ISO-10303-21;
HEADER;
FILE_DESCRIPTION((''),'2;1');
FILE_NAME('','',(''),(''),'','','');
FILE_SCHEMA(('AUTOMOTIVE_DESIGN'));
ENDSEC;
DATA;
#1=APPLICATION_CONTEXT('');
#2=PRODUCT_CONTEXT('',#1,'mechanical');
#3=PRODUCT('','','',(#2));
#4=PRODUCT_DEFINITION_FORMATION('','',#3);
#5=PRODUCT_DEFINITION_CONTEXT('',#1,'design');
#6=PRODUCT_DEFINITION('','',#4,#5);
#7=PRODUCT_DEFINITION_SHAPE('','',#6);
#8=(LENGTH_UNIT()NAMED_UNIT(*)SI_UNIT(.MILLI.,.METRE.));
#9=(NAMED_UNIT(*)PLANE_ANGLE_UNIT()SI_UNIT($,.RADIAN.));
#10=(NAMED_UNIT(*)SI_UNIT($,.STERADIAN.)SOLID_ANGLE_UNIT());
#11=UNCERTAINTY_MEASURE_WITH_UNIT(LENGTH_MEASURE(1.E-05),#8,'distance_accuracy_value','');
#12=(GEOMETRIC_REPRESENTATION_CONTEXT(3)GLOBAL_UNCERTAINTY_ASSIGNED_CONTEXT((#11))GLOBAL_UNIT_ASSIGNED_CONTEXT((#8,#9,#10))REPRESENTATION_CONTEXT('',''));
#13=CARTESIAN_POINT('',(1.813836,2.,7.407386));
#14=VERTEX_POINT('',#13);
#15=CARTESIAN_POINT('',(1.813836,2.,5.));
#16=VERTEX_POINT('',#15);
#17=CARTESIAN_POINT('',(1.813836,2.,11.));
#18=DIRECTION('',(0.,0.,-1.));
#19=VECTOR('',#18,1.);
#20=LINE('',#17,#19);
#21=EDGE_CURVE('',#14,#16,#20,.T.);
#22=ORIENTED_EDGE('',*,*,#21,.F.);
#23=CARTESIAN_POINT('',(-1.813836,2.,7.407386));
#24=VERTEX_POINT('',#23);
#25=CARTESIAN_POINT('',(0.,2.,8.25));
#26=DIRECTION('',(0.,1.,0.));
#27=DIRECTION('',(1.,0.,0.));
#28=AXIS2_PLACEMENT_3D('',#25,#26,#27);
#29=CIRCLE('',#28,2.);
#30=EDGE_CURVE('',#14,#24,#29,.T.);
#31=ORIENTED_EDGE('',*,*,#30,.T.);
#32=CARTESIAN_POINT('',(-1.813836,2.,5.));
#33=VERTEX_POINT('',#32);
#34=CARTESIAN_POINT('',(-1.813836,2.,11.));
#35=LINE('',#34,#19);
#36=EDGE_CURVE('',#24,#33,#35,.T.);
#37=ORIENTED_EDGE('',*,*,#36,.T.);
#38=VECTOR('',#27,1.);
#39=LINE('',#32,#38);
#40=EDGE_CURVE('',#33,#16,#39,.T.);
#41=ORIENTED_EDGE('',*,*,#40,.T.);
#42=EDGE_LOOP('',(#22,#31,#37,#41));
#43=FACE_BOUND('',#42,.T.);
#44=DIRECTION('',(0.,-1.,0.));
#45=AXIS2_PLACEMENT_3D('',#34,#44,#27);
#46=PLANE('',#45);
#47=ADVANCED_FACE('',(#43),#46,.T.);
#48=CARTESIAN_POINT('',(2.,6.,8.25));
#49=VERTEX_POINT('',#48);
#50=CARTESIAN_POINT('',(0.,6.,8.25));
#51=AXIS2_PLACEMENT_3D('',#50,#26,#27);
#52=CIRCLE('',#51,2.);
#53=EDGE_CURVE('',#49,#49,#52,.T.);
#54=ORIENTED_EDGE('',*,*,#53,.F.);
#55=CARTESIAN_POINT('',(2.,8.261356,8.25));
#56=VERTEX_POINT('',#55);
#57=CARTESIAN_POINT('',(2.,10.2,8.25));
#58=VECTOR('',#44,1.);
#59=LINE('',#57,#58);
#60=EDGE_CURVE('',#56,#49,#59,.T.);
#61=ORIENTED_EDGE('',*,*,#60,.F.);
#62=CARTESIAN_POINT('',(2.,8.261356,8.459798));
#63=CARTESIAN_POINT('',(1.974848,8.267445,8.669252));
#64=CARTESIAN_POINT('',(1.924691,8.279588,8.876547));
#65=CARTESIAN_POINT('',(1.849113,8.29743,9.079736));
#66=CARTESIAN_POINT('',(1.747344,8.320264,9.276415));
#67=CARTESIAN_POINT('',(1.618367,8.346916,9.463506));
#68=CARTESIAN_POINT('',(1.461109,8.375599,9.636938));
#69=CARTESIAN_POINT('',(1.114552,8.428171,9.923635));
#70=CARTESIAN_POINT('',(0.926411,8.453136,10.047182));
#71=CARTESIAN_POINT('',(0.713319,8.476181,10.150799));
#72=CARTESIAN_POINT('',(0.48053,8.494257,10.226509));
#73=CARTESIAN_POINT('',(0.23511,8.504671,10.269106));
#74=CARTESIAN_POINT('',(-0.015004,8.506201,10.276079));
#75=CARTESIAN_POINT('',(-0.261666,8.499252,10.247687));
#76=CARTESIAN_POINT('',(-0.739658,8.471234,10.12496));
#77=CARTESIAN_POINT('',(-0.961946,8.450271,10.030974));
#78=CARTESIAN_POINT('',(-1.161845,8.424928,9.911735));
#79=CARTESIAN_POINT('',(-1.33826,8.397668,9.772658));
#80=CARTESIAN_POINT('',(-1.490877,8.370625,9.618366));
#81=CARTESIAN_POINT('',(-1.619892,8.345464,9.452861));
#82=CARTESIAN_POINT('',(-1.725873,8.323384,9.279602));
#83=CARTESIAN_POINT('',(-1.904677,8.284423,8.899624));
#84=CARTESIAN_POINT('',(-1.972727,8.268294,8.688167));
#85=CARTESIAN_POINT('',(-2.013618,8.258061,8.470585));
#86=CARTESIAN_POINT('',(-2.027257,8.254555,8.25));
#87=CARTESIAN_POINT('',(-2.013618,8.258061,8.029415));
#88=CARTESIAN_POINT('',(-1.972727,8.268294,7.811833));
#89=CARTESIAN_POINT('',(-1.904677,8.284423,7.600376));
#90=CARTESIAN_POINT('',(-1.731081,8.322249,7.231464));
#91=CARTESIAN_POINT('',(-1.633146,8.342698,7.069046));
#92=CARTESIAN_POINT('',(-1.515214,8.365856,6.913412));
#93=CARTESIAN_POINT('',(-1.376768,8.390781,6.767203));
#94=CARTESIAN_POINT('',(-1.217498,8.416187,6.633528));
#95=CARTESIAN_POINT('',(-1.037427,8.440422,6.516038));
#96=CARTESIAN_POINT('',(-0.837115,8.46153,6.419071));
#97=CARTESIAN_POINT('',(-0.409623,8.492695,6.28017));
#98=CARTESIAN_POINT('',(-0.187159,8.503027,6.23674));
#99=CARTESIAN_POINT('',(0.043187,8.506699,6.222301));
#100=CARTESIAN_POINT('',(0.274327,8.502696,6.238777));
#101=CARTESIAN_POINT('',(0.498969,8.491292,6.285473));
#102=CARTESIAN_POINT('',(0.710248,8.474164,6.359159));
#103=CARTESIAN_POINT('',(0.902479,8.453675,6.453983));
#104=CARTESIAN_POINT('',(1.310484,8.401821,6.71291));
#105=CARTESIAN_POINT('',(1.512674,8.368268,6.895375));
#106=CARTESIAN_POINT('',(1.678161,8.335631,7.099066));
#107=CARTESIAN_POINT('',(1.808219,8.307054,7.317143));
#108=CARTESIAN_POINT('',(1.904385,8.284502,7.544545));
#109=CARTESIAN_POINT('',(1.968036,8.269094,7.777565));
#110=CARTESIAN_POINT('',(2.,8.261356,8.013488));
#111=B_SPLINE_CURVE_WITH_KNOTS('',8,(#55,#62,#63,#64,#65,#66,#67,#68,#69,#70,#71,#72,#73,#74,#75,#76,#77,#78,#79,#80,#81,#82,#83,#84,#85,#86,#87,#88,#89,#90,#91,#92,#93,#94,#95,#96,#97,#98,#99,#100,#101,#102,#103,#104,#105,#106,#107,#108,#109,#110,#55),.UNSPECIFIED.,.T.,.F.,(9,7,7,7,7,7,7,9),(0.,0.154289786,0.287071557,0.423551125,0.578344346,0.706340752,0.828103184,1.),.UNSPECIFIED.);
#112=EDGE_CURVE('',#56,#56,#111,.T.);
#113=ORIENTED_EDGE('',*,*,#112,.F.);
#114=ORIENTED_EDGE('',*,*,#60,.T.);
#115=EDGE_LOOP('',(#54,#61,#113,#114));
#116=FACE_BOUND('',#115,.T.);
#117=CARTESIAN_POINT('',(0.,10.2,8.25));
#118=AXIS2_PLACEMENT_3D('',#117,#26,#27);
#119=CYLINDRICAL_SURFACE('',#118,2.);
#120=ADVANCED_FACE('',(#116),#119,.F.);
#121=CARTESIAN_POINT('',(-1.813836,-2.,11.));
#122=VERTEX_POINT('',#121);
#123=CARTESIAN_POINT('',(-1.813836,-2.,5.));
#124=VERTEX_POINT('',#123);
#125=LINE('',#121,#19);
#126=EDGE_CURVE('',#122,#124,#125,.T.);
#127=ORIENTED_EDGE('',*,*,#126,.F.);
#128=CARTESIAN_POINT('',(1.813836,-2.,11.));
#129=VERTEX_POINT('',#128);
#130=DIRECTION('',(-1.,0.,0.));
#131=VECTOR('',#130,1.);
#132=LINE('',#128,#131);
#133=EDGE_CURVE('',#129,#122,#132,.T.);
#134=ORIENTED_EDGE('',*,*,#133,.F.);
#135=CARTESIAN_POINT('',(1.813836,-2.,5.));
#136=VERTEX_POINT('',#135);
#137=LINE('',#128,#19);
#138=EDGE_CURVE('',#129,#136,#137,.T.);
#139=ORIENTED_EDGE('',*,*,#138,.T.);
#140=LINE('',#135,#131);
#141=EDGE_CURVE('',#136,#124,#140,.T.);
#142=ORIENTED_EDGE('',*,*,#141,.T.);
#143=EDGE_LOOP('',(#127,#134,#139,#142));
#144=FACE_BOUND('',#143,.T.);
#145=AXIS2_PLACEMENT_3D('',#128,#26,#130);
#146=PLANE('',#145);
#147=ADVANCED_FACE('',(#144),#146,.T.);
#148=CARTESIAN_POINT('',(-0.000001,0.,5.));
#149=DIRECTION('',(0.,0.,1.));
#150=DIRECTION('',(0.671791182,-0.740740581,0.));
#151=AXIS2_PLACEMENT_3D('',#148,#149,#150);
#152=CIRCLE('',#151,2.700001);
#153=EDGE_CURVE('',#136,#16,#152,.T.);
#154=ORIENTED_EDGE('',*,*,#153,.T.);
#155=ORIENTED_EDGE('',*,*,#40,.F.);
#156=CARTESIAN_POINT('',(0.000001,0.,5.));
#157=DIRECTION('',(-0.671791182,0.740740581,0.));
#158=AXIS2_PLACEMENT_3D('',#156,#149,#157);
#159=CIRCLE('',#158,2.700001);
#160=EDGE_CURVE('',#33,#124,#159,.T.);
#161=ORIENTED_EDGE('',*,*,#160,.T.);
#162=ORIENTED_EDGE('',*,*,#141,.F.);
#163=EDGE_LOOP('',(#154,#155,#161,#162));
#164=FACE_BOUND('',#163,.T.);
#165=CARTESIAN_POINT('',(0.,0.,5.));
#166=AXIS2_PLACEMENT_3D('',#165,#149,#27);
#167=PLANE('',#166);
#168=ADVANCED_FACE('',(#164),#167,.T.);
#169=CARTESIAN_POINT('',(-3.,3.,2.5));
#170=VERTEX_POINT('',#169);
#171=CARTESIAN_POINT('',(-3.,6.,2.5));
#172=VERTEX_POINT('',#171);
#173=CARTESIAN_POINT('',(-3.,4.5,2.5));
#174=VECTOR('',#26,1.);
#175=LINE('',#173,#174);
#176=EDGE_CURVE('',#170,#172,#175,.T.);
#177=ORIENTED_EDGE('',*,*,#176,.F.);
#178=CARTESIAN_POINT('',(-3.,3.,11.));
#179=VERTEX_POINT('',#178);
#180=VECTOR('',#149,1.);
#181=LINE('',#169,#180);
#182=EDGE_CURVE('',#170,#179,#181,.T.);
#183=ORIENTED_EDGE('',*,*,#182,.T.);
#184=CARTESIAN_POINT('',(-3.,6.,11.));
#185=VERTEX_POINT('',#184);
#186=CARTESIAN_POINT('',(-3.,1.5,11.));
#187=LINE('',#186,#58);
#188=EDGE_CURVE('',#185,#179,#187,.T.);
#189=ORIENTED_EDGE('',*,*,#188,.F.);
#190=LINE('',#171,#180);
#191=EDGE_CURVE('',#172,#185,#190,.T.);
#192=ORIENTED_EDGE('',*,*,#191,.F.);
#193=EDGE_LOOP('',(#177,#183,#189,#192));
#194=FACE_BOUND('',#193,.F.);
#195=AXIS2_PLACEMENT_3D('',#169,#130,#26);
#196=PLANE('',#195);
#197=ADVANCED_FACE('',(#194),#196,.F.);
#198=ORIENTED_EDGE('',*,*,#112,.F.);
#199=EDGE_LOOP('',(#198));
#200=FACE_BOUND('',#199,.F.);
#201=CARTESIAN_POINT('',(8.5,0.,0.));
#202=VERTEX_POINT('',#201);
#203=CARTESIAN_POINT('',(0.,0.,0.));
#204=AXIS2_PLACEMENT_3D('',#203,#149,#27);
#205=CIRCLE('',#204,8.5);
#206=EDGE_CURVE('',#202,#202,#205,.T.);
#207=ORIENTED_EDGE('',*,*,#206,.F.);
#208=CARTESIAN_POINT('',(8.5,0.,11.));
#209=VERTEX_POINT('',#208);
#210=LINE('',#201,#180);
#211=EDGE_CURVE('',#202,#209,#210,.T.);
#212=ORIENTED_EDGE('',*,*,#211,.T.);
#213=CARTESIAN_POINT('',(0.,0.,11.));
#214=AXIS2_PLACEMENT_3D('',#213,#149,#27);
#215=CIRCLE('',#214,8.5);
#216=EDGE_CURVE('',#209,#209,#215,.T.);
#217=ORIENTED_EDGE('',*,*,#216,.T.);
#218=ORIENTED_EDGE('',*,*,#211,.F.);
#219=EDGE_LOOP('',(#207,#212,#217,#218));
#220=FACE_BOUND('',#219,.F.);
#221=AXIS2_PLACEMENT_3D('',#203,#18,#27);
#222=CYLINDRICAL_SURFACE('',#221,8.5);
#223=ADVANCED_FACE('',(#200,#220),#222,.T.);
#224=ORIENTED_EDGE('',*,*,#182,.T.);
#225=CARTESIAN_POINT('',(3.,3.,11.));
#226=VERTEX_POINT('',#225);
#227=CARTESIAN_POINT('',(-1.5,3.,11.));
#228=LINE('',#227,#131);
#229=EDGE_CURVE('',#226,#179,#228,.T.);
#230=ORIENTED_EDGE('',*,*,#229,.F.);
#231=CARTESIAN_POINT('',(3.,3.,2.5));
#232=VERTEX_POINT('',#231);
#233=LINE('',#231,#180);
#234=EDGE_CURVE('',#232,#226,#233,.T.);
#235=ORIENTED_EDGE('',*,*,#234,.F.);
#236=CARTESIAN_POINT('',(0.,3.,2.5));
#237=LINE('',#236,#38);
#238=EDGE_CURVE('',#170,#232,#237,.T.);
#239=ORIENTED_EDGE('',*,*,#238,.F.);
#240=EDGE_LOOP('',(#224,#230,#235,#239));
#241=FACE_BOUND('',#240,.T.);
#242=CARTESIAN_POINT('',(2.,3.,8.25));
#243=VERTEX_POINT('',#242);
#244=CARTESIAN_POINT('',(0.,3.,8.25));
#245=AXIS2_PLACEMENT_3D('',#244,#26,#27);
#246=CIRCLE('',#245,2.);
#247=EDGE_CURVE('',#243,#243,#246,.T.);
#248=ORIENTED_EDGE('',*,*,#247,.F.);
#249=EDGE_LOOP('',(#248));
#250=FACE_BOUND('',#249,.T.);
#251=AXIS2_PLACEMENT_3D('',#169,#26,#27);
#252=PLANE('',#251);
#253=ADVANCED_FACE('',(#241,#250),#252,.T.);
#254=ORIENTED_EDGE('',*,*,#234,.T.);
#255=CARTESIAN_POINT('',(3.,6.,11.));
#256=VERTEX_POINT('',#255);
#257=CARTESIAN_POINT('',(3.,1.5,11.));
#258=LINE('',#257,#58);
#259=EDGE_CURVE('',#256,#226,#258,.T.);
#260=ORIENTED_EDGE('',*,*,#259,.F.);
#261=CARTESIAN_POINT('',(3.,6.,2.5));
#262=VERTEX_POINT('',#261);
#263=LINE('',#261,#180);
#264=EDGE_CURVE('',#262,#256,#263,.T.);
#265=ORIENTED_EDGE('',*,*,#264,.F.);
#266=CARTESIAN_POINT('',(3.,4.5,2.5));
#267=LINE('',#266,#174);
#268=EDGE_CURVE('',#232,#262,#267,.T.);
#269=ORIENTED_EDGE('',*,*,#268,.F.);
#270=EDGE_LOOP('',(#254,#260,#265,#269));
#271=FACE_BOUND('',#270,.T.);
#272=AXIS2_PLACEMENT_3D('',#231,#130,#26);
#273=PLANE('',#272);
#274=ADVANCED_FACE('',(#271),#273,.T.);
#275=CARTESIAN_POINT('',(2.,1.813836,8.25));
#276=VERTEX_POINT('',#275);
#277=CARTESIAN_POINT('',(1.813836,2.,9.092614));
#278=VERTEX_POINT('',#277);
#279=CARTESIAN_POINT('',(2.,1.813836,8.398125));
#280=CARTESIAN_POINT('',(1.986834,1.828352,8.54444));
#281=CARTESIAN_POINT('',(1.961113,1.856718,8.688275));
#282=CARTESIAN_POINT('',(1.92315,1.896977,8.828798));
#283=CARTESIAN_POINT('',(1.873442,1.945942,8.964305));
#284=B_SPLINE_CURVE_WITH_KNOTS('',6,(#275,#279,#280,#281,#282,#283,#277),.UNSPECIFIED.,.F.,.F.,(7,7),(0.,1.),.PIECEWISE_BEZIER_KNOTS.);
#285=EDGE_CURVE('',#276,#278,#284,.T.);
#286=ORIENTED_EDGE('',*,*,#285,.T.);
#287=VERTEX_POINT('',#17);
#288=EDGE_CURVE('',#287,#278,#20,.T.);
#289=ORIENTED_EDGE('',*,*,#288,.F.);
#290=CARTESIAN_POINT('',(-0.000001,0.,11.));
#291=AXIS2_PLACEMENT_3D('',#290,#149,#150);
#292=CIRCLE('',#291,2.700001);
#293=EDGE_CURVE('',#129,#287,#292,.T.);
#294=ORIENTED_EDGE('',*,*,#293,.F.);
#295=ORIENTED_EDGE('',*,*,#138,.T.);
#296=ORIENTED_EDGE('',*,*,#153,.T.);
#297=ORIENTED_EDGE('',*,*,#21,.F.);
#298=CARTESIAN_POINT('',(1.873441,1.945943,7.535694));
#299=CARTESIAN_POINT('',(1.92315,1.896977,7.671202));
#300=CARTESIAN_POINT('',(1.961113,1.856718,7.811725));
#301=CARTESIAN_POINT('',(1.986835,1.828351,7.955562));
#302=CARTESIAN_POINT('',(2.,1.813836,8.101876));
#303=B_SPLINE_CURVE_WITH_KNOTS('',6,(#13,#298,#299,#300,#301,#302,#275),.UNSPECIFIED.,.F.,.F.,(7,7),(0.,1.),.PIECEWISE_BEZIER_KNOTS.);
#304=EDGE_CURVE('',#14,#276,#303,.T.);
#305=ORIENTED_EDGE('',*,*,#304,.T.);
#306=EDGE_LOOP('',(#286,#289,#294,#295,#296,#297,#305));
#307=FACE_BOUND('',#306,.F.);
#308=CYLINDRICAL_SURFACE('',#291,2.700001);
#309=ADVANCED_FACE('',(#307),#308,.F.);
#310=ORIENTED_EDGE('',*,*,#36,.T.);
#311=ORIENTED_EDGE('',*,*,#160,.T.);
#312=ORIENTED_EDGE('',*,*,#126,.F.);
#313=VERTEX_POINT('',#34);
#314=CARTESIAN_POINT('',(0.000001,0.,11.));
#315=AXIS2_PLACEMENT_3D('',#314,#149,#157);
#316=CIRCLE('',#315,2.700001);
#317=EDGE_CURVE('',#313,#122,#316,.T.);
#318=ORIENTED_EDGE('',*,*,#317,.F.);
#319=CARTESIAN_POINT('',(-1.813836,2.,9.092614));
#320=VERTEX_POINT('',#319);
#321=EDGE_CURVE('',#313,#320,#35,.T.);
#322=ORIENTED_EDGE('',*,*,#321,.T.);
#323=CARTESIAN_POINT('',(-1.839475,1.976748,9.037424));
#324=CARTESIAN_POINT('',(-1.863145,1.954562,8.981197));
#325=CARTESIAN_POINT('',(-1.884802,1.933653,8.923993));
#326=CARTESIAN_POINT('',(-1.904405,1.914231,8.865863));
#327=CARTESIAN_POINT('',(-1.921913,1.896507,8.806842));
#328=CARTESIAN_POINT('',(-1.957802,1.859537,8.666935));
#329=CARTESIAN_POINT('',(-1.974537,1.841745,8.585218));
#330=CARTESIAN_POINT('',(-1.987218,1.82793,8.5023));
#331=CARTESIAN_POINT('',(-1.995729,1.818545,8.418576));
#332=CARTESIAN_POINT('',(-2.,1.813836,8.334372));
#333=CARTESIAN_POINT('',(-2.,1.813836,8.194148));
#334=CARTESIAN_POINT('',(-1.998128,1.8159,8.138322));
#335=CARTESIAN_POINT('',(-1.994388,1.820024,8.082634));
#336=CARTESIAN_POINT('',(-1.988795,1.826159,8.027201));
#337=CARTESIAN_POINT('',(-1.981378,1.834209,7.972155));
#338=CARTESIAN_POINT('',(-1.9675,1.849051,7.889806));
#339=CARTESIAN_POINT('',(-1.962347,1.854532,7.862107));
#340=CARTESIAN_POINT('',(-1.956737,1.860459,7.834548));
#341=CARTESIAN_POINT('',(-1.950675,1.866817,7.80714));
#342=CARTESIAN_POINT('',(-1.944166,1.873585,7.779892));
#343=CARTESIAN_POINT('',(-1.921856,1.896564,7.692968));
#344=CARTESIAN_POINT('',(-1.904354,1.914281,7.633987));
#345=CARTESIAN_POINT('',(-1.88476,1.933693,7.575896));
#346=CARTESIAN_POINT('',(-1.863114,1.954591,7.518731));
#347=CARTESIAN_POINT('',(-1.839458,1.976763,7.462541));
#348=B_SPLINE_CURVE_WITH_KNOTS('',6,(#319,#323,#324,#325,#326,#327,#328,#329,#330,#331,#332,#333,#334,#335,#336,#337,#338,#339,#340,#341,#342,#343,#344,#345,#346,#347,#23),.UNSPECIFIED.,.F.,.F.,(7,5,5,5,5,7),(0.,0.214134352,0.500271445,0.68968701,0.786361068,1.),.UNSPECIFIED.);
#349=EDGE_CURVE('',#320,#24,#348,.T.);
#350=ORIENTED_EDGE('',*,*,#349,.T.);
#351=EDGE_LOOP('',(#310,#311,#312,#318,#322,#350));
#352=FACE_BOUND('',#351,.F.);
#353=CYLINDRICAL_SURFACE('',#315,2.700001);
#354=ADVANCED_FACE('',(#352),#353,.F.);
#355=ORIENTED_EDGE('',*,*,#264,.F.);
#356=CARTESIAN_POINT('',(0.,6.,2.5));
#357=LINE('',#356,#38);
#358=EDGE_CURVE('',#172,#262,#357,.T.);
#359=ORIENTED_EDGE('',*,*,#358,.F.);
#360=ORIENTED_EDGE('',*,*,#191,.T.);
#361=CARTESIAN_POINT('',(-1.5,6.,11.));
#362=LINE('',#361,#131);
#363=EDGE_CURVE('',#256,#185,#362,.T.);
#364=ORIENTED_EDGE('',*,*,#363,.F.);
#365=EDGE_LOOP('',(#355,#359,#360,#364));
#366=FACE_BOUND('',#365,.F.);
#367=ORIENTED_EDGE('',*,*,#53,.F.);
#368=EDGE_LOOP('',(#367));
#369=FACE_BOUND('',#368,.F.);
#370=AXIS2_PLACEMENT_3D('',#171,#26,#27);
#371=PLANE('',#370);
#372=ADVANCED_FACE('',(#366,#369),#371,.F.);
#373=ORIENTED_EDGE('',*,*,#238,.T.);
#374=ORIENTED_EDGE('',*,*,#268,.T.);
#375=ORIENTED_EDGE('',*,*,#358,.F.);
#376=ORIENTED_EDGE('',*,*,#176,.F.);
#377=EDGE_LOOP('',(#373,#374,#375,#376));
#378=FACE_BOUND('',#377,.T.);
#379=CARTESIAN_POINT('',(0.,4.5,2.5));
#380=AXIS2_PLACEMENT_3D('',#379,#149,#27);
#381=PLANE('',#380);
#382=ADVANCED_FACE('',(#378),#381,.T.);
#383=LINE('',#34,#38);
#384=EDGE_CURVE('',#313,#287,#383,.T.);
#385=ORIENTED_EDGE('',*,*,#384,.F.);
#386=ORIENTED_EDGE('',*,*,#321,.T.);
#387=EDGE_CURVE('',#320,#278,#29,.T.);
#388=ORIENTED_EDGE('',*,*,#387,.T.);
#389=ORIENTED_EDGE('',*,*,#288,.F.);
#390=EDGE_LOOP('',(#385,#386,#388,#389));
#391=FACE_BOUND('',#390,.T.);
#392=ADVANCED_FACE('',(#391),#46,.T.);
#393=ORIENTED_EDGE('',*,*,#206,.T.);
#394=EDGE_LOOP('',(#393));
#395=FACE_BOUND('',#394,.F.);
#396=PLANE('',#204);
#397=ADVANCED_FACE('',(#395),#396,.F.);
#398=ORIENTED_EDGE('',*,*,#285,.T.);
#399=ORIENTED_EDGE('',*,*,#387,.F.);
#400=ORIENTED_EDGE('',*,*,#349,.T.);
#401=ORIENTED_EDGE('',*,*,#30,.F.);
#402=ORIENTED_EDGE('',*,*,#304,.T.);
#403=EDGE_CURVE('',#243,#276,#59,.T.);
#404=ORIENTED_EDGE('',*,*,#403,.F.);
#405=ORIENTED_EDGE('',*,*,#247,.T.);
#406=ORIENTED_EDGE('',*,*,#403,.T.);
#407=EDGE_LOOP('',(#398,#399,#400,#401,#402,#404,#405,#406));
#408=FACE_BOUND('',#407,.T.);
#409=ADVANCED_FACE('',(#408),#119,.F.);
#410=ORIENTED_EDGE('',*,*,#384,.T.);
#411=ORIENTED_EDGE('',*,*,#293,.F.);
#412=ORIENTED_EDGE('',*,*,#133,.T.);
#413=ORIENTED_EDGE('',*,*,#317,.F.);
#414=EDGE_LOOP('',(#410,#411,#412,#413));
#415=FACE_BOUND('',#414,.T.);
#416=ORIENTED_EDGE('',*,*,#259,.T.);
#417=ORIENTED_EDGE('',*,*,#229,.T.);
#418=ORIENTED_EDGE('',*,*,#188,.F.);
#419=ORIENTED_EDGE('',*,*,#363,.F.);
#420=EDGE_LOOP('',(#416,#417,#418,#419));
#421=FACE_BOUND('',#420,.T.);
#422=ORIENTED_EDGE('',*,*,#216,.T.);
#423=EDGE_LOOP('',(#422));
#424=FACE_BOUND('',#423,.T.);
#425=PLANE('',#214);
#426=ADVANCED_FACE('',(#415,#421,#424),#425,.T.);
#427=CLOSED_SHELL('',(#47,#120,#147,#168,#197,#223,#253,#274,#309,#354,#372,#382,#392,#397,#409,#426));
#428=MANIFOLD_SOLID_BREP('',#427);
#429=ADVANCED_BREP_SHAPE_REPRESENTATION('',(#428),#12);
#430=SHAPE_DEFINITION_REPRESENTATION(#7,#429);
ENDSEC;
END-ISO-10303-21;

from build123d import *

# Parameters (mm, degrees)
CYLINDER002_R     = 2
CYLINDER002_DEPTH = 10
BOX_W             = 6
BOX_H             = 3
BOX_DEPTH         = 10
CYLINDER_R        = 8.5
CYLINDER_DEPTH    = 11
POCKET_DEPTH      = 6


with BuildPart() as cilindro002:
    # Cylinder002 → Cylinder002 (new body)
    with BuildSketch(Plane(origin=(0, 10.2, 8.25), x_dir=(1, 0, 0), z_dir=(0, -1, 0))):
        Circle(CYLINDER002_R)
    extrude(amount=CYLINDER002_DEPTH)


with BuildPart() as cubo:
    # Box → Box (new body)
    with BuildSketch(Plane(origin=(-3, 3, 2.5), x_dir=(1, 0, 0), z_dir=(0, 0, 1))):
        with Locations((3, 1.5)):
            Rectangle(BOX_W, BOX_H)
    extrude(amount=BOX_DEPTH)


with BuildPart() as body:
    # Cylinder → Cylinder (new body)
    with BuildSketch(Plane.XY):
        Circle(CYLINDER_R)
    extrude(amount=CYLINDER_DEPTH)

    # Cut: cut Cubo
    add(cubo.part, mode=Mode.SUBTRACT)

    # Cut002: cut Cilindro002
    add(cilindro002.part, mode=Mode.SUBTRACT)


with BuildPart() as body_1:
    # Cut002 placement: moved
    add(body.part.moved(Location((0, 0, -1))))


with BuildPart() as body_2:
    # BaseFeature placement: moved
    add(body_1.part.moved(Location((0, 0, 1))))

    # Sketch → Pocket (cut)
    with BuildSketch(Plane.XY.offset(11)):
        with BuildLine():
            ThreePointArc((-1.813836, 2), (-2.7, 0), (-1.813836, -2))
            Line((1.813836, -2), (-1.813836, -2))
            ThreePointArc((1.813836, -2), (2.7, 0), (1.813836, 2))
            Line((-1.813836, 2), (1.813836, 2))
        make_face()
    extrude(amount=-POCKET_DEPTH, mode=Mode.SUBTRACT)


solid = body_2.part
